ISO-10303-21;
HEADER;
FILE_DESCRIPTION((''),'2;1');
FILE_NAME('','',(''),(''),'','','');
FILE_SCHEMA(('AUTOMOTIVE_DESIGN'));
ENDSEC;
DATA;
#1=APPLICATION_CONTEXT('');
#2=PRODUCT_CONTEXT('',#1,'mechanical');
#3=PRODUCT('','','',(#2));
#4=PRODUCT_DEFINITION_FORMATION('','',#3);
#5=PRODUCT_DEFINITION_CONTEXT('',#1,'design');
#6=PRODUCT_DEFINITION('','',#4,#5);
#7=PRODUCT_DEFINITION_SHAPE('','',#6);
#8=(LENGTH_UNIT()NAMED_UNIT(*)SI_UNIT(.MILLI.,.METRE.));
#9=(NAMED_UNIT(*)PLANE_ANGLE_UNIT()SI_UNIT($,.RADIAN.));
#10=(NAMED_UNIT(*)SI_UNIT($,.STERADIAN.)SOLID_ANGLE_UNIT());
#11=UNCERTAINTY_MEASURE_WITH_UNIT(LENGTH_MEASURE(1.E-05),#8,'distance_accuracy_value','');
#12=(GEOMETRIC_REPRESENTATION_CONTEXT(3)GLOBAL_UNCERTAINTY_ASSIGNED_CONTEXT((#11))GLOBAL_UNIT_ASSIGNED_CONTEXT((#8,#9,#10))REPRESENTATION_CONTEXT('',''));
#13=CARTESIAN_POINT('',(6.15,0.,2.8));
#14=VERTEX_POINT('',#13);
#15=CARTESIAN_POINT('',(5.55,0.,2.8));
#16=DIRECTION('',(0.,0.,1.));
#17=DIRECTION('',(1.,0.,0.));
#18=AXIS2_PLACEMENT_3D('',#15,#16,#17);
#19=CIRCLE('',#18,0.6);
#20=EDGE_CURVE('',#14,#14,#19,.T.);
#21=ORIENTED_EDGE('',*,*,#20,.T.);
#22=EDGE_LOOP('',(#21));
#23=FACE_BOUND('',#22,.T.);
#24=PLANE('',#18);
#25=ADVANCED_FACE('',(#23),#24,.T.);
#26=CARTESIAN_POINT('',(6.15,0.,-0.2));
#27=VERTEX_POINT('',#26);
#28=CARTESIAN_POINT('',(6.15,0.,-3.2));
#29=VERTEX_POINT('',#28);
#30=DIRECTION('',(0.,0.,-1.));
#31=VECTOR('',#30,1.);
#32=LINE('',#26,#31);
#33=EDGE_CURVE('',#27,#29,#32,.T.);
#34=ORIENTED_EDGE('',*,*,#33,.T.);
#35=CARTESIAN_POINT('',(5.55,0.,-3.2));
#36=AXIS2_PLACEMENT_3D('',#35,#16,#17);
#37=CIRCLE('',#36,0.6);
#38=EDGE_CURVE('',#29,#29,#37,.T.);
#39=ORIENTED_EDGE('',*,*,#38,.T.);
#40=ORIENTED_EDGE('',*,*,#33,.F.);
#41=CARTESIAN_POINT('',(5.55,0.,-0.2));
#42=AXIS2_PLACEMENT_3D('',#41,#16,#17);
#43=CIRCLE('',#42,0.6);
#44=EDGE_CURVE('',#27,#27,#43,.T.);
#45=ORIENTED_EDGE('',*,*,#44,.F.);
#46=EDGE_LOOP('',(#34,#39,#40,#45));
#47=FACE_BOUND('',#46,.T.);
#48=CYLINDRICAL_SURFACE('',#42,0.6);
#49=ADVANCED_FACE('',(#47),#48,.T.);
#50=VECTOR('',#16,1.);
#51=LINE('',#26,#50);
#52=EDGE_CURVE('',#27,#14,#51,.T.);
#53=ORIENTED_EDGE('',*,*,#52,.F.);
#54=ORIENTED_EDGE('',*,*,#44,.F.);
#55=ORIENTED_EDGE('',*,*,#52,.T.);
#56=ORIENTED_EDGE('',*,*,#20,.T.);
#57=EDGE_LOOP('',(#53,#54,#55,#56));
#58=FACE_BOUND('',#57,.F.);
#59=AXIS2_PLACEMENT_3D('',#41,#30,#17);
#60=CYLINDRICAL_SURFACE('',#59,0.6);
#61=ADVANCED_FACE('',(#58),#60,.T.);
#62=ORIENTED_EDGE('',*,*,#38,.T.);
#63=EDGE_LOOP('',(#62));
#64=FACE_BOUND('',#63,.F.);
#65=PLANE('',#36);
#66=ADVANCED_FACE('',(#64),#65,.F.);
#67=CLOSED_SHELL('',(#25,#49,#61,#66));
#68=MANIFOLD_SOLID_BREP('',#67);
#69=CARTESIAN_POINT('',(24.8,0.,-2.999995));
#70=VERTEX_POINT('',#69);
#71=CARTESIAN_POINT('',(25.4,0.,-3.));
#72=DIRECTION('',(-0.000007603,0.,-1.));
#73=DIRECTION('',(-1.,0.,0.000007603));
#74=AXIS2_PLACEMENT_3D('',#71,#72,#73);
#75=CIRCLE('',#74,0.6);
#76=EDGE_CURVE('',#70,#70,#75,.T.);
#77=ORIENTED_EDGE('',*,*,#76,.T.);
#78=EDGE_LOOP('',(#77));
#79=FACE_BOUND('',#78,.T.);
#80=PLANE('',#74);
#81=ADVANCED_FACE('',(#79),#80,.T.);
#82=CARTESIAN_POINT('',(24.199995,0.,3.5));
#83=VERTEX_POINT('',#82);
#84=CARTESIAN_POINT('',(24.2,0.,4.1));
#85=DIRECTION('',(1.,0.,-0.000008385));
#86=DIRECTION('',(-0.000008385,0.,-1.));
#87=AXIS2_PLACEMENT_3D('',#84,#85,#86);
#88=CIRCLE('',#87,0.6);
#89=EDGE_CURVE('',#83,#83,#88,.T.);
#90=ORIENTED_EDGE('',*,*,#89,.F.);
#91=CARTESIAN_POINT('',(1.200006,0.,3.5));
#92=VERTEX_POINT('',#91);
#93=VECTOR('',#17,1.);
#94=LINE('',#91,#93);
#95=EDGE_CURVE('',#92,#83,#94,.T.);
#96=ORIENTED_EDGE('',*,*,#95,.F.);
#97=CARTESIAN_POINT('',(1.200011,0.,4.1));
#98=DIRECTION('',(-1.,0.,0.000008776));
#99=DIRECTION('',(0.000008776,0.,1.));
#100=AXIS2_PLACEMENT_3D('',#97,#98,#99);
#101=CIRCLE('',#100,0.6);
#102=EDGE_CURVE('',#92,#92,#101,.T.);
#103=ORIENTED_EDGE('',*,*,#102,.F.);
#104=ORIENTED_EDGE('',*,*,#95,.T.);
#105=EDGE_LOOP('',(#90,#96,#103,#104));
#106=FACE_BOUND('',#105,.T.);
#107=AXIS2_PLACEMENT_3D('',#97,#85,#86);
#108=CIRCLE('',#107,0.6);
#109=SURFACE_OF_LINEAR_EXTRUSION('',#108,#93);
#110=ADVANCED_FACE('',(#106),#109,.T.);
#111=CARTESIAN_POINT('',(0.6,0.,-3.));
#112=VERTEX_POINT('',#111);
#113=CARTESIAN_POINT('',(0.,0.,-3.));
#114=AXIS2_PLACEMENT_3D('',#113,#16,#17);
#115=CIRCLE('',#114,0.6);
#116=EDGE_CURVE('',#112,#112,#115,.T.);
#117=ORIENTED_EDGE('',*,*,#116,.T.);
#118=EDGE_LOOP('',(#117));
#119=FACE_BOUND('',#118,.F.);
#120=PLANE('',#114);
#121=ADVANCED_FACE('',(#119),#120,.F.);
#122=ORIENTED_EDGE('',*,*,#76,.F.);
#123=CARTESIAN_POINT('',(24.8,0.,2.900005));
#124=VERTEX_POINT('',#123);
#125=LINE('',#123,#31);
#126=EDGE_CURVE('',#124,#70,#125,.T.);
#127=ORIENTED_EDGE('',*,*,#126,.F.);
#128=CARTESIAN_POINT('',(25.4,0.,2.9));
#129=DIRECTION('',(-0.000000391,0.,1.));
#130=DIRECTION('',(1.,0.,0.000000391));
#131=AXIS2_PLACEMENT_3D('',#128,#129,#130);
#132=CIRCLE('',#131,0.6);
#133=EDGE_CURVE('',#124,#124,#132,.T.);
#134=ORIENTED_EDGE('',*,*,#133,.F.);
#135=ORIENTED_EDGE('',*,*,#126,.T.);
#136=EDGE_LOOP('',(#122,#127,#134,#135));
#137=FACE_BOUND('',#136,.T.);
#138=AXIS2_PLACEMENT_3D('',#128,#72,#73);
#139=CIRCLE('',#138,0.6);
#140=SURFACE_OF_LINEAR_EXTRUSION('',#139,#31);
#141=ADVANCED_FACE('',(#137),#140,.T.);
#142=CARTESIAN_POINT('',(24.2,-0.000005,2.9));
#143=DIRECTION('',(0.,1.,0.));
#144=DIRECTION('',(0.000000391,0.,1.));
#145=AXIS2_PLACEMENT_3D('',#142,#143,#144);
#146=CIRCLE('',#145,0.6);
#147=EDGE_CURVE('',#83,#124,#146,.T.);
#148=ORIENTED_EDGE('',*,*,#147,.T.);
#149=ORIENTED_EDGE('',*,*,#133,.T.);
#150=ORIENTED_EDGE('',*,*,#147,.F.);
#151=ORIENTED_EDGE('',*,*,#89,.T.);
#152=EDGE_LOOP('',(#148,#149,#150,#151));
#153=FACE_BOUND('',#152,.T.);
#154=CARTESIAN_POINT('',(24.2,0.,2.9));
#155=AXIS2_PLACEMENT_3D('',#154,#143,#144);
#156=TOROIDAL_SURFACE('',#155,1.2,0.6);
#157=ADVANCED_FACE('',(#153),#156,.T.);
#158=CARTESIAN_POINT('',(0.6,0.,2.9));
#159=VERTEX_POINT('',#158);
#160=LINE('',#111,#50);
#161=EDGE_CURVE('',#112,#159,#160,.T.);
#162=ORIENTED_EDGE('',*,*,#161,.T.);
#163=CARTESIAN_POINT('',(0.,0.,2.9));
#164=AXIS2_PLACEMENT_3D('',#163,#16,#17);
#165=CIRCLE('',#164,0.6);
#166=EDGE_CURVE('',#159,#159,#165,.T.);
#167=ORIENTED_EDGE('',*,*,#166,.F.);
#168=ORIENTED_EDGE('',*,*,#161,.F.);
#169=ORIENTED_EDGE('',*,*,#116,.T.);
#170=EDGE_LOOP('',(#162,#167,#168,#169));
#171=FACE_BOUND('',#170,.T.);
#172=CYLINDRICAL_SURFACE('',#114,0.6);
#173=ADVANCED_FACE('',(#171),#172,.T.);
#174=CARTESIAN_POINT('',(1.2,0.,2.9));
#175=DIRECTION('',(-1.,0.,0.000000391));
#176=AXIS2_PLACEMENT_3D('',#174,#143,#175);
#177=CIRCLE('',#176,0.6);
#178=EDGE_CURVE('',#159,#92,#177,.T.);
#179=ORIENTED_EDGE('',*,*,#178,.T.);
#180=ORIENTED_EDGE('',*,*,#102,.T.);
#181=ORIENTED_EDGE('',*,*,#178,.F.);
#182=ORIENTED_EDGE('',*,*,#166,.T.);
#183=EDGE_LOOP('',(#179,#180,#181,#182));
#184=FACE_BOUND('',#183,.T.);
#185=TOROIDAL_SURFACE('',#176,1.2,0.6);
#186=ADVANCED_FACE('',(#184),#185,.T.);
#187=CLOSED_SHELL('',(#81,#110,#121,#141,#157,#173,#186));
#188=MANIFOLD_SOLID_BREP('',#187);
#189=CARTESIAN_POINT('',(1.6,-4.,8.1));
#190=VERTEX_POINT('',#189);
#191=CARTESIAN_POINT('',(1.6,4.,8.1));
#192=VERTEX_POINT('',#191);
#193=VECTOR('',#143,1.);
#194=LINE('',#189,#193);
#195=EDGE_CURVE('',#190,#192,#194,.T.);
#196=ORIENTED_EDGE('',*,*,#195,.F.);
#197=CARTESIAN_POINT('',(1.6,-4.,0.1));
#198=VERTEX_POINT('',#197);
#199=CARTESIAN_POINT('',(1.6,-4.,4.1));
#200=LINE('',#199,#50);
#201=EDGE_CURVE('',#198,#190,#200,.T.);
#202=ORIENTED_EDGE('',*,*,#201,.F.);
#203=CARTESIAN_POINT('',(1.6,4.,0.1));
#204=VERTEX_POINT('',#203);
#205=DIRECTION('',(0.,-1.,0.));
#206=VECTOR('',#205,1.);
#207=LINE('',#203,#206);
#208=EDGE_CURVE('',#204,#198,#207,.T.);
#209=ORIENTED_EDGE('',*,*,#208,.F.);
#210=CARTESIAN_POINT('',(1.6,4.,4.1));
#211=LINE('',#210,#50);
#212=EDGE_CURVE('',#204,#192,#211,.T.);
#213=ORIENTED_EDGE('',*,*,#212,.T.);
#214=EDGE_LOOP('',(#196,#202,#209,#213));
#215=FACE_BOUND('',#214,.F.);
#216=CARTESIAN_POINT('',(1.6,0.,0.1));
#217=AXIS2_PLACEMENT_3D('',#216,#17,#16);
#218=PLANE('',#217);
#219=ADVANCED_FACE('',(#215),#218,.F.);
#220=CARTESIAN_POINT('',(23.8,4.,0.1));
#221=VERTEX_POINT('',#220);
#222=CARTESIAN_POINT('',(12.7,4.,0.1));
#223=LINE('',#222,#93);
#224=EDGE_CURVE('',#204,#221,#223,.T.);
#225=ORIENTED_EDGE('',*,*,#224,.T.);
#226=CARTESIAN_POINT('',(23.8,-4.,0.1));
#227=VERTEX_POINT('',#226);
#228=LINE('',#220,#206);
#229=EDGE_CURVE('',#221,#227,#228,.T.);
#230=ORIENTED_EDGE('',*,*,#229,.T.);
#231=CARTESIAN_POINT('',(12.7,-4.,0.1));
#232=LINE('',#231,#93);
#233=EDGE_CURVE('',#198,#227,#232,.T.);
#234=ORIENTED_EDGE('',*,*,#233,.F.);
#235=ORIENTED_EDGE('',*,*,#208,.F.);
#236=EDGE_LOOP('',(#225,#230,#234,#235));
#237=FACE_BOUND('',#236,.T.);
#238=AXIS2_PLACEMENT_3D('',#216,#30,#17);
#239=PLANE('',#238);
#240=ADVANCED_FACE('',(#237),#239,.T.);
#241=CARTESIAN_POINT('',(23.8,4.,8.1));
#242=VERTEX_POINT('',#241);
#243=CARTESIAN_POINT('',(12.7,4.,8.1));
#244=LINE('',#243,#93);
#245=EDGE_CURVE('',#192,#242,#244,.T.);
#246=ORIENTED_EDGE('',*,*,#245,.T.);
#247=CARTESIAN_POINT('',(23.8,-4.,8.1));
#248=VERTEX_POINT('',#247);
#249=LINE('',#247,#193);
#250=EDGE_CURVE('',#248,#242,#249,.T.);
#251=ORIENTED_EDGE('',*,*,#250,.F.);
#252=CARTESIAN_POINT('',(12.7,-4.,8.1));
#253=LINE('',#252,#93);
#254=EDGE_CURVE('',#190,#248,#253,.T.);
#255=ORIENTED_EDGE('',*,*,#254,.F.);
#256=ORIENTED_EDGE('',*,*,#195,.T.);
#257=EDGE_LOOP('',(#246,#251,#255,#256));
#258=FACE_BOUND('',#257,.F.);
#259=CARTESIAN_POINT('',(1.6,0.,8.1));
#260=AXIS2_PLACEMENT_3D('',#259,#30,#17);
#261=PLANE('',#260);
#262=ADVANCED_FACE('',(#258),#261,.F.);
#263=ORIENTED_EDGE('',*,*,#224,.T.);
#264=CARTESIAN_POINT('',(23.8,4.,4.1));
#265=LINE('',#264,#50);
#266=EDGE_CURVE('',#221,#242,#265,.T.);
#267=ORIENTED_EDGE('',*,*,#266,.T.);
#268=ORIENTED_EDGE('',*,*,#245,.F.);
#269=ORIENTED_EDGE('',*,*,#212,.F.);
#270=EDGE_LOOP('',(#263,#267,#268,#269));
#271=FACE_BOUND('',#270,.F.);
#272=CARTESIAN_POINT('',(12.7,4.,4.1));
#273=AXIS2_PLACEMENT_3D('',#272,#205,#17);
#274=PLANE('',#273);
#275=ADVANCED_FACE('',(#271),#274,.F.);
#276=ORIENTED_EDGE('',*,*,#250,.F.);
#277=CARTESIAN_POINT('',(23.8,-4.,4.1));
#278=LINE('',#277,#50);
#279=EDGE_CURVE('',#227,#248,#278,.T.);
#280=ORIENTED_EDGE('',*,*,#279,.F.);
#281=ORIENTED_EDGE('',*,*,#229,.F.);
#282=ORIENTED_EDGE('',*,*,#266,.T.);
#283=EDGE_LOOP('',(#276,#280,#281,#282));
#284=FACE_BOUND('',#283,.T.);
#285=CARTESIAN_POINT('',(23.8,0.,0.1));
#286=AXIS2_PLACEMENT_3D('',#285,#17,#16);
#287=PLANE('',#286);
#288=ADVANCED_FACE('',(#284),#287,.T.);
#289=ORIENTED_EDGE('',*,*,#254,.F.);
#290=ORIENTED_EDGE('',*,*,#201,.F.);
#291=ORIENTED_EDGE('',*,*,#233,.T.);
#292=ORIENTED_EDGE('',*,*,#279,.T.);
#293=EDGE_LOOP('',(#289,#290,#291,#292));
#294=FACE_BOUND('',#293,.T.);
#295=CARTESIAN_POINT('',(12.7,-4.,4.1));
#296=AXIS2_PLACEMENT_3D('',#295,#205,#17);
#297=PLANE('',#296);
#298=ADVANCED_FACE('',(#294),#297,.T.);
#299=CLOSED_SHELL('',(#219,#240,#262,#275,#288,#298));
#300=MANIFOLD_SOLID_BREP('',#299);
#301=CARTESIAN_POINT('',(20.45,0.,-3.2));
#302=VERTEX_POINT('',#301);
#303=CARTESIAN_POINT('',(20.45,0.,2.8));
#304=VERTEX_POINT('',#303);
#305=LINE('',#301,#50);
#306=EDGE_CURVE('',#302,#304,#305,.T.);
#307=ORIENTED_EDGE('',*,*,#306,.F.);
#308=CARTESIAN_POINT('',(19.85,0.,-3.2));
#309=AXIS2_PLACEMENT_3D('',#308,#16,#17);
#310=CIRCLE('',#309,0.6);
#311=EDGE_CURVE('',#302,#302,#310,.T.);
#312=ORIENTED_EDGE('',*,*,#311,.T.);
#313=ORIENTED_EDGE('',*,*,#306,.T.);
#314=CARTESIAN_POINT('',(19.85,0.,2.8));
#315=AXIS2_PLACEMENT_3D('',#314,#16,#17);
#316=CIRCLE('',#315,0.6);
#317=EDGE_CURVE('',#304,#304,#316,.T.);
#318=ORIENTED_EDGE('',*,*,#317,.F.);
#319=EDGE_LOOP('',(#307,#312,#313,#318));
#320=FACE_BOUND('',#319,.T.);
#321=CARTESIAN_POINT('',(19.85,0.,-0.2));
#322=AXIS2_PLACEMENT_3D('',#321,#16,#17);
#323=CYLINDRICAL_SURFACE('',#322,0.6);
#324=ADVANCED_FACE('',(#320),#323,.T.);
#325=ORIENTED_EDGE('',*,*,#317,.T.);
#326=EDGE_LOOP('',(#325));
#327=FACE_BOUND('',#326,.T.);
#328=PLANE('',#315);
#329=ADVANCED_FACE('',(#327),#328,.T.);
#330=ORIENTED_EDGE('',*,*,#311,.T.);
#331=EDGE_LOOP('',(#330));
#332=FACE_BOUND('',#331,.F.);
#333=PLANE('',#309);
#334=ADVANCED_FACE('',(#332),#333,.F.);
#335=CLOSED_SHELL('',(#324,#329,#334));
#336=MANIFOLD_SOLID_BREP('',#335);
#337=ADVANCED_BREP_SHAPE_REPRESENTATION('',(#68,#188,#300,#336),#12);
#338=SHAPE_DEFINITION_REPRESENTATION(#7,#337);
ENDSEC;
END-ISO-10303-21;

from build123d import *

# Parameters (mm, degrees)
SKETCH_R     = 0.6
SKETCH002_W  = 22.2
SKETCH002_H  = 8
PAD_DEPTH    = 4
SKETCH004_R  = 0.6
PAD001_DEPTH = 3


with BuildPart() as sweep_body:
    # Sweep: sweep along a path in Sketch001
    with BuildLine(Plane.XZ) as sweep_path:
        Line((0, -3), (0, 2.9))
        ThreePointArc((0, 2.9), (0.351476, 3.748532), (1.200011, 4.1))
        Line((1.200011, 4.1), (24.2, 4.1))
        ThreePointArc((24.2, 4.1), (25.048528, 3.748528), (25.4, 2.9))
        Line((25.4, 2.9), (25.4, -3))
    # Sketch → Sweep (sweep)
    with BuildSketch(Plane.XY.offset(-2)):
        Circle(SKETCH_R)
    sweep(path=sweep_path.line)


with BuildPart() as pad:
    # Sketch002 → Pad (new body, symmetric)
    with BuildSketch(Plane.XZ):
        with Locations((12.7, 4.1)):
            Rectangle(SKETCH002_W, SKETCH002_H)
    extrude(amount=PAD_DEPTH, both=True)


with BuildPart() as pad001:
    # Sketch004 → Pad001 (new body, symmetric)
    with BuildSketch(Plane.XY.offset(-0.2)):
        with Locations((5.55, 0)):
            Circle(SKETCH004_R)
        with Locations((19.85, 0)):
            Circle(SKETCH004_R)
    extrude(amount=PAD001_DEPTH, both=True)


solid = Compound([sweep_body.part, pad.part, pad001.part])
